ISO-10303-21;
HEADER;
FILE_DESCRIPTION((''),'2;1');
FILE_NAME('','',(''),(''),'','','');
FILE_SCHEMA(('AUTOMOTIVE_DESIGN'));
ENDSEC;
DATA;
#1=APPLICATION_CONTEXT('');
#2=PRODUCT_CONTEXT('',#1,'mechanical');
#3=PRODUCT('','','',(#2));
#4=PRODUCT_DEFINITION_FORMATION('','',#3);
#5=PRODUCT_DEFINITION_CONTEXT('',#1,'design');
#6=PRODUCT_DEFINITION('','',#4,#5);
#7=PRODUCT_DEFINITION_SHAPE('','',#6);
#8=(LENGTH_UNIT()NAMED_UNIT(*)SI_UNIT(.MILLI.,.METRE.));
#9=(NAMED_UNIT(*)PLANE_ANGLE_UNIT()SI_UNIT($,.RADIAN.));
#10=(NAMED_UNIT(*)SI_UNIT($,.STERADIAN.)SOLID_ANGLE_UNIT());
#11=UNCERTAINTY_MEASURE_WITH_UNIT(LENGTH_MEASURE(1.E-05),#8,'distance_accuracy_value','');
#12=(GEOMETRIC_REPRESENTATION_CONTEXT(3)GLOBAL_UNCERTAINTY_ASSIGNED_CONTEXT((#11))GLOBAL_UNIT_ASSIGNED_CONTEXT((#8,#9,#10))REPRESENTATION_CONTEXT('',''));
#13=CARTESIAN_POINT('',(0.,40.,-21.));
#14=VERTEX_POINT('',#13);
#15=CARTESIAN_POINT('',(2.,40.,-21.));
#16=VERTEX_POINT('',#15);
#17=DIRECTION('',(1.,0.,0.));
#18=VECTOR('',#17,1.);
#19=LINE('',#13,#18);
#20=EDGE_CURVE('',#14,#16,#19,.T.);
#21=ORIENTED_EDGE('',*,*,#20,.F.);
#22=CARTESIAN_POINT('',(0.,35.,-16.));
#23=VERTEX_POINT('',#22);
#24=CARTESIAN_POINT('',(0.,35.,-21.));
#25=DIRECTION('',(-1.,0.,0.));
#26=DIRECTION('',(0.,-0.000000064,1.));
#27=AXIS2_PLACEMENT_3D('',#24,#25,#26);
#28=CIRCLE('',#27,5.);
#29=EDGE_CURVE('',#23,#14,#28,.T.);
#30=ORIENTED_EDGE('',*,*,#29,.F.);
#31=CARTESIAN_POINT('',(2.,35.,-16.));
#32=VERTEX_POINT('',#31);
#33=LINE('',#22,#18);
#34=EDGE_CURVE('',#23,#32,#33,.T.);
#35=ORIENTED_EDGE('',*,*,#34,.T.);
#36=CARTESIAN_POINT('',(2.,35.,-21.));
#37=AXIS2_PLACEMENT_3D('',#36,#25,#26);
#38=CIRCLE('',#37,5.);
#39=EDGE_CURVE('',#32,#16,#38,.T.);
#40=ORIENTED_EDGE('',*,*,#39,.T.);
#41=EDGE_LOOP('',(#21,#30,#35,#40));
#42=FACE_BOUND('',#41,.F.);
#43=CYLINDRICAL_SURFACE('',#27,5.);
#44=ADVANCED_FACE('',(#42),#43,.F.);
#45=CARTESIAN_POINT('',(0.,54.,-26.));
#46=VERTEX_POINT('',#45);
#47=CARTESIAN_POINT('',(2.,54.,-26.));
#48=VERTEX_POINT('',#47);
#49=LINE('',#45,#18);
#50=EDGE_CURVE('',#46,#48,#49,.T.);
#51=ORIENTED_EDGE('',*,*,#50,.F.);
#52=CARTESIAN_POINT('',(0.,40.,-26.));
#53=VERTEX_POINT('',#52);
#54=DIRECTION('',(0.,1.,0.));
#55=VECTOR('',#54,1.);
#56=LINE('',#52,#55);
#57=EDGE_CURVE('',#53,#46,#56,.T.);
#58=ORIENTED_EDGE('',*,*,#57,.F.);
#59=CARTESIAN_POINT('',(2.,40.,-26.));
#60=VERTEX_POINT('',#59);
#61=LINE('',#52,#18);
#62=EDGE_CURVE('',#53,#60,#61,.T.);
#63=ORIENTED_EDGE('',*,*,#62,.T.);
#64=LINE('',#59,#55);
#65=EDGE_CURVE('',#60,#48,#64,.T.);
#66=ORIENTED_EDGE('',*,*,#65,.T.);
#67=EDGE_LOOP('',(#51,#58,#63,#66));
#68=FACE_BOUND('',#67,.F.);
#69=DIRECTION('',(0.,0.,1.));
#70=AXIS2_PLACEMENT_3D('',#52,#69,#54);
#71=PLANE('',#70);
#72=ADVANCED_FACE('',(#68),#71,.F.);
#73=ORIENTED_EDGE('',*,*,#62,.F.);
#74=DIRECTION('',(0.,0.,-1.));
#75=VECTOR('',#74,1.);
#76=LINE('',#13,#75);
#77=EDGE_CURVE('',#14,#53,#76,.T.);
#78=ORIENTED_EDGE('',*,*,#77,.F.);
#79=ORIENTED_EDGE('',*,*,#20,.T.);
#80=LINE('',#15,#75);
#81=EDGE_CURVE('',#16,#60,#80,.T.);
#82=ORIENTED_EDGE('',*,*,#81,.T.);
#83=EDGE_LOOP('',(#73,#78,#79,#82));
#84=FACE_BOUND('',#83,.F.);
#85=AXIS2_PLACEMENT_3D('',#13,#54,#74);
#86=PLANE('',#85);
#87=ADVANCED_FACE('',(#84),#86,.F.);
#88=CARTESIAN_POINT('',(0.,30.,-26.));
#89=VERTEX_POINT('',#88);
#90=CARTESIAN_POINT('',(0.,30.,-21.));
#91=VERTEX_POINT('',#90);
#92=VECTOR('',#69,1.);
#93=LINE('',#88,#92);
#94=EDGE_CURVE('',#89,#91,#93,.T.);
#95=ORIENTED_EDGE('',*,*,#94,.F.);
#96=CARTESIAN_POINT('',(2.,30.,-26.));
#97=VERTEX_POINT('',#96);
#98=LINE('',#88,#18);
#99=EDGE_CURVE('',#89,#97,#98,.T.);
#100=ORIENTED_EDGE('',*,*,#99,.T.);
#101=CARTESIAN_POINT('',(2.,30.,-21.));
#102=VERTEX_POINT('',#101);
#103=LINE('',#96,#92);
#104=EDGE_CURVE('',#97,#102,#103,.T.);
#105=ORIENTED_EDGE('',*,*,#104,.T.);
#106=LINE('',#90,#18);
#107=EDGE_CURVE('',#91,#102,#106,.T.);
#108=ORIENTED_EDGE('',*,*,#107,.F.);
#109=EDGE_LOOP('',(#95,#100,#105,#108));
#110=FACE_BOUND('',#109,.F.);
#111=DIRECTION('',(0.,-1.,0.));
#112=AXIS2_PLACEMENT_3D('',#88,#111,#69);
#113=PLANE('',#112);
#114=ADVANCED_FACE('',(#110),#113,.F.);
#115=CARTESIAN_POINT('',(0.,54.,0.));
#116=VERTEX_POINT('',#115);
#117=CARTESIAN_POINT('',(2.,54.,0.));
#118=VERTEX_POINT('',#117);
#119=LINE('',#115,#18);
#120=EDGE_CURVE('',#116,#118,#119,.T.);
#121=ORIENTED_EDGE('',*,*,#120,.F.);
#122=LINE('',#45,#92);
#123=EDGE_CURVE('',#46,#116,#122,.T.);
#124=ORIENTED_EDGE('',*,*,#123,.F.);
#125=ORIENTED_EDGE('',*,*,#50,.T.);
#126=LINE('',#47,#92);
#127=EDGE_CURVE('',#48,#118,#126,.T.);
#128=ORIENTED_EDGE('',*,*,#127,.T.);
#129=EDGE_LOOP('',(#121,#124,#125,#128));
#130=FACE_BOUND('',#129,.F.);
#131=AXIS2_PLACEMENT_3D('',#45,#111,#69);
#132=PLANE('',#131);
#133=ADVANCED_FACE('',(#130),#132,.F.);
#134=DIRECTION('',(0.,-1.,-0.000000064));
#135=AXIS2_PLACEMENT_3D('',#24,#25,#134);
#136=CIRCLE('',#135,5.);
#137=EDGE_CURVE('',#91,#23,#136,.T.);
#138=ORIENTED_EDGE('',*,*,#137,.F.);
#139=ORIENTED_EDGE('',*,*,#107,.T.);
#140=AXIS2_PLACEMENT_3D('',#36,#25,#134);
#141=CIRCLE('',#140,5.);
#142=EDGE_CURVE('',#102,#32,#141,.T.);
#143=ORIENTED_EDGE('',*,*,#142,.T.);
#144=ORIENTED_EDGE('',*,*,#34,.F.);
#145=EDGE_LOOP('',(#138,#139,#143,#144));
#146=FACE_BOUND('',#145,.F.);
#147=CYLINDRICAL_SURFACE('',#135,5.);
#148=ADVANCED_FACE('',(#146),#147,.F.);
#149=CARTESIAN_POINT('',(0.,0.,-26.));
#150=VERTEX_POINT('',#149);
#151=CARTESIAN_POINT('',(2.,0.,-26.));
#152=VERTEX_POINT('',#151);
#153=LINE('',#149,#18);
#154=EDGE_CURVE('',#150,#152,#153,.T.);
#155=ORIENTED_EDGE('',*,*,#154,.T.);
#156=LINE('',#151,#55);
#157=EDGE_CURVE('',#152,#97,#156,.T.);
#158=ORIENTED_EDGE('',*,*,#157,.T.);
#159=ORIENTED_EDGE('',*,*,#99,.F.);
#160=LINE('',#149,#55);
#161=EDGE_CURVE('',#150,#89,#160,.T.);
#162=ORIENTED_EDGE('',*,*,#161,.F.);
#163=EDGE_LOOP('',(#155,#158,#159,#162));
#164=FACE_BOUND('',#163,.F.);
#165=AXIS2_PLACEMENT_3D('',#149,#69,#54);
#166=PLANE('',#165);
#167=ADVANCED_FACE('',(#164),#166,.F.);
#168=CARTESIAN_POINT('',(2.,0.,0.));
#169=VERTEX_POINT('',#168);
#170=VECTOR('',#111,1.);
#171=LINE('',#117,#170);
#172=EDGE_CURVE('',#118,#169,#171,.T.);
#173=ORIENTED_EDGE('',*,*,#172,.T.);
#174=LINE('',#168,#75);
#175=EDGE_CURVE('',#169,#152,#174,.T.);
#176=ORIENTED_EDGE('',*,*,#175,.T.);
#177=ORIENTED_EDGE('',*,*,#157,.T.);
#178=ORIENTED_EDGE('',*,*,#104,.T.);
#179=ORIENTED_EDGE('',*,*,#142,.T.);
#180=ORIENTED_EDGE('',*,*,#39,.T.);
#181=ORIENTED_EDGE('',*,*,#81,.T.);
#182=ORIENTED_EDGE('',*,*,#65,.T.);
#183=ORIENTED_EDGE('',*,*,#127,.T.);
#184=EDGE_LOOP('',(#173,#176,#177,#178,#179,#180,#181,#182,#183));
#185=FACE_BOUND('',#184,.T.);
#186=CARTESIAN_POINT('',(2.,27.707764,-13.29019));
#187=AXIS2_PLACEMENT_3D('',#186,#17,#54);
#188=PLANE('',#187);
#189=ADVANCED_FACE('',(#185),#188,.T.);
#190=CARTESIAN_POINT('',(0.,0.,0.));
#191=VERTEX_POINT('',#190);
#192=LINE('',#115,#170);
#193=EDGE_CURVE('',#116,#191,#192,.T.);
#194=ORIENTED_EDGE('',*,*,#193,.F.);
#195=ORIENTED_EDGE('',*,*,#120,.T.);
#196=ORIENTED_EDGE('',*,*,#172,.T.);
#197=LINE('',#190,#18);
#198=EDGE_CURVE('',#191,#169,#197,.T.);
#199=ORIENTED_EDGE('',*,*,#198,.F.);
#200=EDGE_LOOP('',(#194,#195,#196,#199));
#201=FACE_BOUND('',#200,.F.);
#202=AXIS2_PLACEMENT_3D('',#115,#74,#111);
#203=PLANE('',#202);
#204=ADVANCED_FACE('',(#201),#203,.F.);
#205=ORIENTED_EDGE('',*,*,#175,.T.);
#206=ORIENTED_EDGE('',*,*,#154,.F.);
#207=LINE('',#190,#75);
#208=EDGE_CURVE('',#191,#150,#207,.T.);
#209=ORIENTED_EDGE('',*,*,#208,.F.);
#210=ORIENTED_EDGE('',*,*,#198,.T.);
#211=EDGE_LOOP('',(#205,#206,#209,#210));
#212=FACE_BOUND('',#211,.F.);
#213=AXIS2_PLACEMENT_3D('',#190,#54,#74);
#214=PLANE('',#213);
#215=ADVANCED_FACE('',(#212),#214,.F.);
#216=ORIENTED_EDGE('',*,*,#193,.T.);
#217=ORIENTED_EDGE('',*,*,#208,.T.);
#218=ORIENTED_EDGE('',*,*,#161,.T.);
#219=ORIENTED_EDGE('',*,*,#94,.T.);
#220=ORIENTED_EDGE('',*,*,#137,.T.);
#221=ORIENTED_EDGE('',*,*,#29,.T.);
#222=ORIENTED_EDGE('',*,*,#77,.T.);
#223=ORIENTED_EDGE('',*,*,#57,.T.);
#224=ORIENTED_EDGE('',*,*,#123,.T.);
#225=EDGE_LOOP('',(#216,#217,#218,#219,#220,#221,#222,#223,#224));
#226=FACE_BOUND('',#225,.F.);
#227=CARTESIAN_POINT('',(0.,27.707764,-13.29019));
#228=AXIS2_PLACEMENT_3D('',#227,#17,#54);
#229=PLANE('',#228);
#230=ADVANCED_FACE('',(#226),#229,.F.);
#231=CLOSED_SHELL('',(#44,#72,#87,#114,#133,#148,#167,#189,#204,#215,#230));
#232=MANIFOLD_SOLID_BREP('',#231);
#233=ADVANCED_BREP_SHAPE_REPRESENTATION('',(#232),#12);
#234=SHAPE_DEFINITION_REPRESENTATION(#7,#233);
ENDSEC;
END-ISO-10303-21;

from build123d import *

# Parameters (mm, degrees)
F1_DEPTH = 2


with BuildPart() as f1:
    # F0 (on Right) → F1 (new body)
    with BuildSketch(Plane.YZ):
        with BuildLine():
            Line((54, 0), (0, 0))
            Line((0, 0), (0, -26))
            Line((0, -26), (30, -26))
            Line((30, -26), (30, -21))
            ThreePointArc((30, -21), (31.464466, -17.464466), (35, -16))
            ThreePointArc((35, -16), (38.535534, -17.464466), (40, -21))
            Line((40, -21), (40, -26))
            Line((40, -26), (54, -26))
            Line((54, -26), (54, 0))
        make_face()
    extrude(amount=F1_DEPTH)


solid = f1.part
